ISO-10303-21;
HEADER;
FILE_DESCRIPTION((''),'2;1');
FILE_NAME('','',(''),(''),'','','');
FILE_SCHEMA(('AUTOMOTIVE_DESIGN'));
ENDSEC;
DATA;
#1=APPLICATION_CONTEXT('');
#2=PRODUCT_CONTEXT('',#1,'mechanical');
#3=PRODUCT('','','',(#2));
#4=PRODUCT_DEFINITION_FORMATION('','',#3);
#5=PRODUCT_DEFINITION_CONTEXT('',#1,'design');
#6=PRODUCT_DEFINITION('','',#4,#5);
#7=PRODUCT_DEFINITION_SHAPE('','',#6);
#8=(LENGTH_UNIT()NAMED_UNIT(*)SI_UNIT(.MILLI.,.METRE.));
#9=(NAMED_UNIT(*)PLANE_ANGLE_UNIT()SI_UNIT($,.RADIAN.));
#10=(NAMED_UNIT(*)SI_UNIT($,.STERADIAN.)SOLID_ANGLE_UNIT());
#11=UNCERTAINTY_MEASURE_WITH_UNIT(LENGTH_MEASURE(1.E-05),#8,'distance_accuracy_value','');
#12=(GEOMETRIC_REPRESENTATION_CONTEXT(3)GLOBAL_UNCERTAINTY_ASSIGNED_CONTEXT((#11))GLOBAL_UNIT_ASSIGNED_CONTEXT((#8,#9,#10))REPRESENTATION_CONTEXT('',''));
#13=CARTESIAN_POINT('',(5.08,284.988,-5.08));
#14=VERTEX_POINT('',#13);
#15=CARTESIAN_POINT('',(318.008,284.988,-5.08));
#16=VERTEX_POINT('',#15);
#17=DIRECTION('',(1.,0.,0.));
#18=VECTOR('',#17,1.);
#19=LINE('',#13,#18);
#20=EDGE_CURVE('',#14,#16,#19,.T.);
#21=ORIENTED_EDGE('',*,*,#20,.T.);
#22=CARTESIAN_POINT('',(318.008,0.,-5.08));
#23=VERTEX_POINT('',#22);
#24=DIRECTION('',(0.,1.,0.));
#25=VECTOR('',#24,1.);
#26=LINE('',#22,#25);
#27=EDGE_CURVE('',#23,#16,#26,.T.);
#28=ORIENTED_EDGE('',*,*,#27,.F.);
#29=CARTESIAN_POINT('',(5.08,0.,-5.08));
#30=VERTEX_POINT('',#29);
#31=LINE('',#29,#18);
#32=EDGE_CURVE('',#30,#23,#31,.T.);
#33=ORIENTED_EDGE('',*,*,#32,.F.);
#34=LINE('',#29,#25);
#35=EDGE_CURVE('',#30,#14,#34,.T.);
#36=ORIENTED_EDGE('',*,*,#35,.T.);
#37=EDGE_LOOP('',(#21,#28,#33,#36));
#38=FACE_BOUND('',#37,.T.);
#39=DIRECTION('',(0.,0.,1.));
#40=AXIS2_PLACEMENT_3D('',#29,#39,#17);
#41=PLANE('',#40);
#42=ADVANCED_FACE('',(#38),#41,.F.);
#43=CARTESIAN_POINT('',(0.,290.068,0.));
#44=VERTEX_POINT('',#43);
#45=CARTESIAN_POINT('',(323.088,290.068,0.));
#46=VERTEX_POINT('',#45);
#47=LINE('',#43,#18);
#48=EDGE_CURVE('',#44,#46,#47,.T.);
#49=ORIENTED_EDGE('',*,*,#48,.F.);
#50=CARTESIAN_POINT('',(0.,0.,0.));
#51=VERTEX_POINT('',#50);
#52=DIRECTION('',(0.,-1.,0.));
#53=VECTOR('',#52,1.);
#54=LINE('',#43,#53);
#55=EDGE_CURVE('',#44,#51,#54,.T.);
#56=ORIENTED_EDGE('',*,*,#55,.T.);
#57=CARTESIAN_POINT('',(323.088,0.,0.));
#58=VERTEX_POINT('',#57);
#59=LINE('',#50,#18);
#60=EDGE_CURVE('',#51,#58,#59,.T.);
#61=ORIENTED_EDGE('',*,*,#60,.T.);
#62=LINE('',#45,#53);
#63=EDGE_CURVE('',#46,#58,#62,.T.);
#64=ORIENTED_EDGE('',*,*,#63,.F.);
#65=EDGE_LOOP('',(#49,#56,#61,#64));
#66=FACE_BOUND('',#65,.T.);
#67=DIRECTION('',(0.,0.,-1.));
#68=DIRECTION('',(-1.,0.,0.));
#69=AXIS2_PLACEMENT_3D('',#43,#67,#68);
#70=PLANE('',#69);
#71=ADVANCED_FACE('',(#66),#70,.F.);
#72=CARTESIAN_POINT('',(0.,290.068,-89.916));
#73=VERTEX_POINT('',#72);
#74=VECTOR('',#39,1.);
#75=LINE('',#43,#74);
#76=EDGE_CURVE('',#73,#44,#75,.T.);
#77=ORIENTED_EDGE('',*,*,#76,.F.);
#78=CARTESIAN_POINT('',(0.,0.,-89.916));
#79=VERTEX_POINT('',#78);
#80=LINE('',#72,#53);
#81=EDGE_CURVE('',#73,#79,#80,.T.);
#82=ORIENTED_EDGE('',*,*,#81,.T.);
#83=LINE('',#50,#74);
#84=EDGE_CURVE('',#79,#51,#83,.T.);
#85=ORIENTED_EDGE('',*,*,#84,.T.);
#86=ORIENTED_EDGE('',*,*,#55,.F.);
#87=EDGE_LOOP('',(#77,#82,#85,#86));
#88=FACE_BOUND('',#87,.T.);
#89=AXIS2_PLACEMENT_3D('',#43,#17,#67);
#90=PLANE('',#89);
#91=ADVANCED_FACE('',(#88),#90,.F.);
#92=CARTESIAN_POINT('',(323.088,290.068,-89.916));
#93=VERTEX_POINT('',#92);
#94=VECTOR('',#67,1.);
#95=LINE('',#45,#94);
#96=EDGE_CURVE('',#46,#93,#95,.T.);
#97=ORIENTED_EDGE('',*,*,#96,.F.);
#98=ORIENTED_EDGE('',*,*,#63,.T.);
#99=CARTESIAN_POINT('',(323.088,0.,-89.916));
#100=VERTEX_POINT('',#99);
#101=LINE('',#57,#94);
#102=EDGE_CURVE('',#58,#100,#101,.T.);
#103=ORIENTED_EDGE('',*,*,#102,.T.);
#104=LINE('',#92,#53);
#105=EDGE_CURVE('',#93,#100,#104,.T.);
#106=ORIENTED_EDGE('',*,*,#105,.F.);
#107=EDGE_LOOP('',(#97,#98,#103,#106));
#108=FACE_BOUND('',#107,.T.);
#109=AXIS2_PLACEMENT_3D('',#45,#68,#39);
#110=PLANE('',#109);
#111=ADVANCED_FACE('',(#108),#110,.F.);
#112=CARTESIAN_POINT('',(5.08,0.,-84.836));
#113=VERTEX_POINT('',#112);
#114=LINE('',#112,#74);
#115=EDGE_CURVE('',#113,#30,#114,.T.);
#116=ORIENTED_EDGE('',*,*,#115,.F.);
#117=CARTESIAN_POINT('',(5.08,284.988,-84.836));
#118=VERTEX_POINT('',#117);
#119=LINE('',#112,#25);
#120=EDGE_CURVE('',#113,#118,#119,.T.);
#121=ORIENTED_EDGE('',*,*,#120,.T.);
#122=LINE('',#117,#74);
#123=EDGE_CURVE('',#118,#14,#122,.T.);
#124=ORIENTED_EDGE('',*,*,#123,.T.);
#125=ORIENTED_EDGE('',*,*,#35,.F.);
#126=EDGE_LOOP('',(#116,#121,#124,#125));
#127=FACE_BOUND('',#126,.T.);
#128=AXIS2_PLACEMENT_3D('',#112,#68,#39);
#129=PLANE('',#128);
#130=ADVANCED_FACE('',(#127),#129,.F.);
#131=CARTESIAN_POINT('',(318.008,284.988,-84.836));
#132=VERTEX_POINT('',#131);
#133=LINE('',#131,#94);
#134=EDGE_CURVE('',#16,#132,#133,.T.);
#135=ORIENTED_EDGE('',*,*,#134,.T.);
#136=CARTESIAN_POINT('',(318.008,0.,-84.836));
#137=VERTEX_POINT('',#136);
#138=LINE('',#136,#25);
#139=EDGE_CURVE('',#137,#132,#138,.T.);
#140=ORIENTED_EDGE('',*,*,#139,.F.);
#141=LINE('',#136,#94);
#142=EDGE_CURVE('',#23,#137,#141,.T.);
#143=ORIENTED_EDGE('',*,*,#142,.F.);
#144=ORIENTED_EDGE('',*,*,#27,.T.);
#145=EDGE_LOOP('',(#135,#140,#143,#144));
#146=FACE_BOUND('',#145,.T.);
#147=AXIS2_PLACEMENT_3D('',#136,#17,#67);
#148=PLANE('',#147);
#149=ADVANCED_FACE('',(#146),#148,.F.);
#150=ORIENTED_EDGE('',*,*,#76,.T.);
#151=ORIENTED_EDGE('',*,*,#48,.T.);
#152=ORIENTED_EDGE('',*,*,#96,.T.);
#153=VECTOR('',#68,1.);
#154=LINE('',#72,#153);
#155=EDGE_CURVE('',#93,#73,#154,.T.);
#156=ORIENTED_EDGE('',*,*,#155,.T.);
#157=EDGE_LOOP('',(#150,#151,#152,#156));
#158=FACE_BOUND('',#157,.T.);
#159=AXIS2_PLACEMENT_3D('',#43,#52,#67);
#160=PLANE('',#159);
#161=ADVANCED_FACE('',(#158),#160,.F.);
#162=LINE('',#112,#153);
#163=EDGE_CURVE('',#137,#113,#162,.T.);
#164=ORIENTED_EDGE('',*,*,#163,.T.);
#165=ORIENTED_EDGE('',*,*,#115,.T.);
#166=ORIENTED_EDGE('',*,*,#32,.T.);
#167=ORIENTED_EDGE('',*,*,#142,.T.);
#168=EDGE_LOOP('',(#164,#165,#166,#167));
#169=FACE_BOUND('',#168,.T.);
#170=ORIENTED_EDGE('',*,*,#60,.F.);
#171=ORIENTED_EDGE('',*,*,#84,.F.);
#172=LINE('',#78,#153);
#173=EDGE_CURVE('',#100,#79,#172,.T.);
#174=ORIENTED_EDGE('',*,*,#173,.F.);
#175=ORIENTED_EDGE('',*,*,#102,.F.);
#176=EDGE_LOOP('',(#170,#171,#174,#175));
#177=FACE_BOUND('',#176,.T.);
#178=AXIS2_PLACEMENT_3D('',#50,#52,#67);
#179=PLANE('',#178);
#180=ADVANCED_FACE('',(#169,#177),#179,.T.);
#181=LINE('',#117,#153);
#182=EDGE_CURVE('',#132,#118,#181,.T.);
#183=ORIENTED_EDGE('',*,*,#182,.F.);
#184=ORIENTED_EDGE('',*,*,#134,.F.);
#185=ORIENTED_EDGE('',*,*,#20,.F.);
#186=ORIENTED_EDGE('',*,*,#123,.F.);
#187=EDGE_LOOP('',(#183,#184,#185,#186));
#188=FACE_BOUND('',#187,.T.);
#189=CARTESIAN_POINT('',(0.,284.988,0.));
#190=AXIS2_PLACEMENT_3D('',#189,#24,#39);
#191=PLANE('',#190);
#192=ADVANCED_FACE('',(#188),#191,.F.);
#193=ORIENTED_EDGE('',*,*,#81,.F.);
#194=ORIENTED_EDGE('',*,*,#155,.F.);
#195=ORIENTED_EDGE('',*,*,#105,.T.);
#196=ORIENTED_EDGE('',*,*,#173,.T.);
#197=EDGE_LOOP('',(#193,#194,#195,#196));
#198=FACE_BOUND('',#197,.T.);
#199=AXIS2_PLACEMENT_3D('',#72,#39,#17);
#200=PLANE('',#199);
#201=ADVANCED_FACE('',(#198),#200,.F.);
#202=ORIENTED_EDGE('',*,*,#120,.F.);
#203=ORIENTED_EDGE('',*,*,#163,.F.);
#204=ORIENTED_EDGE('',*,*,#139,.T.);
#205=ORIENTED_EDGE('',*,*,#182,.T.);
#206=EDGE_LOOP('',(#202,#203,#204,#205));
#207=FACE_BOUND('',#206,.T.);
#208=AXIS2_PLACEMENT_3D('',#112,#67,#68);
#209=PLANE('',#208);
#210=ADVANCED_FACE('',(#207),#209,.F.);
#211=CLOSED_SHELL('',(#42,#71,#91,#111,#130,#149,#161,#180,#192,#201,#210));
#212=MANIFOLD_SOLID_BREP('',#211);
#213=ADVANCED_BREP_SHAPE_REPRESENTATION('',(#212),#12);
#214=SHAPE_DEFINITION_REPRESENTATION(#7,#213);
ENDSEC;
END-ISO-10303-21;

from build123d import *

# Parameters (mm, degrees)
SKETCH1_W           = 323.088
SKETCH1_H           = 89.916
BOSS_EXTRUDE1_DEPTH = 290.068
CUT_EXTRUDE1_START  = -5.08
SKETCH2_W           = 312.928
SKETCH2_H           = 79.756
CUT_EXTRUDE1_DEPTH  = 285.988


with BuildPart() as part:
    # Sketch1 → Boss-Extrude1 (new body)
    with BuildSketch(Plane(origin=(0, 0, 0), x_dir=(1, 0, 0), z_dir=(0, 1, 0))):
        with Locations((161.544, 44.958)):
            Rectangle(SKETCH1_W, SKETCH1_H)
    extrude(amount=BOSS_EXTRUDE1_DEPTH)

    # Sketch2 → Cut-Extrude1 (cut, through all)
    with BuildSketch(Plane(origin=(0, 290.068, 0), x_dir=(1, 0, 0), z_dir=(0, 1, 0)).offset(CUT_EXTRUDE1_START)):
        with Locations((161.544, 44.958)):
            Rectangle(SKETCH2_W, SKETCH2_H)
    extrude(amount=-CUT_EXTRUDE1_DEPTH, mode=Mode.SUBTRACT)


solid = part.part
